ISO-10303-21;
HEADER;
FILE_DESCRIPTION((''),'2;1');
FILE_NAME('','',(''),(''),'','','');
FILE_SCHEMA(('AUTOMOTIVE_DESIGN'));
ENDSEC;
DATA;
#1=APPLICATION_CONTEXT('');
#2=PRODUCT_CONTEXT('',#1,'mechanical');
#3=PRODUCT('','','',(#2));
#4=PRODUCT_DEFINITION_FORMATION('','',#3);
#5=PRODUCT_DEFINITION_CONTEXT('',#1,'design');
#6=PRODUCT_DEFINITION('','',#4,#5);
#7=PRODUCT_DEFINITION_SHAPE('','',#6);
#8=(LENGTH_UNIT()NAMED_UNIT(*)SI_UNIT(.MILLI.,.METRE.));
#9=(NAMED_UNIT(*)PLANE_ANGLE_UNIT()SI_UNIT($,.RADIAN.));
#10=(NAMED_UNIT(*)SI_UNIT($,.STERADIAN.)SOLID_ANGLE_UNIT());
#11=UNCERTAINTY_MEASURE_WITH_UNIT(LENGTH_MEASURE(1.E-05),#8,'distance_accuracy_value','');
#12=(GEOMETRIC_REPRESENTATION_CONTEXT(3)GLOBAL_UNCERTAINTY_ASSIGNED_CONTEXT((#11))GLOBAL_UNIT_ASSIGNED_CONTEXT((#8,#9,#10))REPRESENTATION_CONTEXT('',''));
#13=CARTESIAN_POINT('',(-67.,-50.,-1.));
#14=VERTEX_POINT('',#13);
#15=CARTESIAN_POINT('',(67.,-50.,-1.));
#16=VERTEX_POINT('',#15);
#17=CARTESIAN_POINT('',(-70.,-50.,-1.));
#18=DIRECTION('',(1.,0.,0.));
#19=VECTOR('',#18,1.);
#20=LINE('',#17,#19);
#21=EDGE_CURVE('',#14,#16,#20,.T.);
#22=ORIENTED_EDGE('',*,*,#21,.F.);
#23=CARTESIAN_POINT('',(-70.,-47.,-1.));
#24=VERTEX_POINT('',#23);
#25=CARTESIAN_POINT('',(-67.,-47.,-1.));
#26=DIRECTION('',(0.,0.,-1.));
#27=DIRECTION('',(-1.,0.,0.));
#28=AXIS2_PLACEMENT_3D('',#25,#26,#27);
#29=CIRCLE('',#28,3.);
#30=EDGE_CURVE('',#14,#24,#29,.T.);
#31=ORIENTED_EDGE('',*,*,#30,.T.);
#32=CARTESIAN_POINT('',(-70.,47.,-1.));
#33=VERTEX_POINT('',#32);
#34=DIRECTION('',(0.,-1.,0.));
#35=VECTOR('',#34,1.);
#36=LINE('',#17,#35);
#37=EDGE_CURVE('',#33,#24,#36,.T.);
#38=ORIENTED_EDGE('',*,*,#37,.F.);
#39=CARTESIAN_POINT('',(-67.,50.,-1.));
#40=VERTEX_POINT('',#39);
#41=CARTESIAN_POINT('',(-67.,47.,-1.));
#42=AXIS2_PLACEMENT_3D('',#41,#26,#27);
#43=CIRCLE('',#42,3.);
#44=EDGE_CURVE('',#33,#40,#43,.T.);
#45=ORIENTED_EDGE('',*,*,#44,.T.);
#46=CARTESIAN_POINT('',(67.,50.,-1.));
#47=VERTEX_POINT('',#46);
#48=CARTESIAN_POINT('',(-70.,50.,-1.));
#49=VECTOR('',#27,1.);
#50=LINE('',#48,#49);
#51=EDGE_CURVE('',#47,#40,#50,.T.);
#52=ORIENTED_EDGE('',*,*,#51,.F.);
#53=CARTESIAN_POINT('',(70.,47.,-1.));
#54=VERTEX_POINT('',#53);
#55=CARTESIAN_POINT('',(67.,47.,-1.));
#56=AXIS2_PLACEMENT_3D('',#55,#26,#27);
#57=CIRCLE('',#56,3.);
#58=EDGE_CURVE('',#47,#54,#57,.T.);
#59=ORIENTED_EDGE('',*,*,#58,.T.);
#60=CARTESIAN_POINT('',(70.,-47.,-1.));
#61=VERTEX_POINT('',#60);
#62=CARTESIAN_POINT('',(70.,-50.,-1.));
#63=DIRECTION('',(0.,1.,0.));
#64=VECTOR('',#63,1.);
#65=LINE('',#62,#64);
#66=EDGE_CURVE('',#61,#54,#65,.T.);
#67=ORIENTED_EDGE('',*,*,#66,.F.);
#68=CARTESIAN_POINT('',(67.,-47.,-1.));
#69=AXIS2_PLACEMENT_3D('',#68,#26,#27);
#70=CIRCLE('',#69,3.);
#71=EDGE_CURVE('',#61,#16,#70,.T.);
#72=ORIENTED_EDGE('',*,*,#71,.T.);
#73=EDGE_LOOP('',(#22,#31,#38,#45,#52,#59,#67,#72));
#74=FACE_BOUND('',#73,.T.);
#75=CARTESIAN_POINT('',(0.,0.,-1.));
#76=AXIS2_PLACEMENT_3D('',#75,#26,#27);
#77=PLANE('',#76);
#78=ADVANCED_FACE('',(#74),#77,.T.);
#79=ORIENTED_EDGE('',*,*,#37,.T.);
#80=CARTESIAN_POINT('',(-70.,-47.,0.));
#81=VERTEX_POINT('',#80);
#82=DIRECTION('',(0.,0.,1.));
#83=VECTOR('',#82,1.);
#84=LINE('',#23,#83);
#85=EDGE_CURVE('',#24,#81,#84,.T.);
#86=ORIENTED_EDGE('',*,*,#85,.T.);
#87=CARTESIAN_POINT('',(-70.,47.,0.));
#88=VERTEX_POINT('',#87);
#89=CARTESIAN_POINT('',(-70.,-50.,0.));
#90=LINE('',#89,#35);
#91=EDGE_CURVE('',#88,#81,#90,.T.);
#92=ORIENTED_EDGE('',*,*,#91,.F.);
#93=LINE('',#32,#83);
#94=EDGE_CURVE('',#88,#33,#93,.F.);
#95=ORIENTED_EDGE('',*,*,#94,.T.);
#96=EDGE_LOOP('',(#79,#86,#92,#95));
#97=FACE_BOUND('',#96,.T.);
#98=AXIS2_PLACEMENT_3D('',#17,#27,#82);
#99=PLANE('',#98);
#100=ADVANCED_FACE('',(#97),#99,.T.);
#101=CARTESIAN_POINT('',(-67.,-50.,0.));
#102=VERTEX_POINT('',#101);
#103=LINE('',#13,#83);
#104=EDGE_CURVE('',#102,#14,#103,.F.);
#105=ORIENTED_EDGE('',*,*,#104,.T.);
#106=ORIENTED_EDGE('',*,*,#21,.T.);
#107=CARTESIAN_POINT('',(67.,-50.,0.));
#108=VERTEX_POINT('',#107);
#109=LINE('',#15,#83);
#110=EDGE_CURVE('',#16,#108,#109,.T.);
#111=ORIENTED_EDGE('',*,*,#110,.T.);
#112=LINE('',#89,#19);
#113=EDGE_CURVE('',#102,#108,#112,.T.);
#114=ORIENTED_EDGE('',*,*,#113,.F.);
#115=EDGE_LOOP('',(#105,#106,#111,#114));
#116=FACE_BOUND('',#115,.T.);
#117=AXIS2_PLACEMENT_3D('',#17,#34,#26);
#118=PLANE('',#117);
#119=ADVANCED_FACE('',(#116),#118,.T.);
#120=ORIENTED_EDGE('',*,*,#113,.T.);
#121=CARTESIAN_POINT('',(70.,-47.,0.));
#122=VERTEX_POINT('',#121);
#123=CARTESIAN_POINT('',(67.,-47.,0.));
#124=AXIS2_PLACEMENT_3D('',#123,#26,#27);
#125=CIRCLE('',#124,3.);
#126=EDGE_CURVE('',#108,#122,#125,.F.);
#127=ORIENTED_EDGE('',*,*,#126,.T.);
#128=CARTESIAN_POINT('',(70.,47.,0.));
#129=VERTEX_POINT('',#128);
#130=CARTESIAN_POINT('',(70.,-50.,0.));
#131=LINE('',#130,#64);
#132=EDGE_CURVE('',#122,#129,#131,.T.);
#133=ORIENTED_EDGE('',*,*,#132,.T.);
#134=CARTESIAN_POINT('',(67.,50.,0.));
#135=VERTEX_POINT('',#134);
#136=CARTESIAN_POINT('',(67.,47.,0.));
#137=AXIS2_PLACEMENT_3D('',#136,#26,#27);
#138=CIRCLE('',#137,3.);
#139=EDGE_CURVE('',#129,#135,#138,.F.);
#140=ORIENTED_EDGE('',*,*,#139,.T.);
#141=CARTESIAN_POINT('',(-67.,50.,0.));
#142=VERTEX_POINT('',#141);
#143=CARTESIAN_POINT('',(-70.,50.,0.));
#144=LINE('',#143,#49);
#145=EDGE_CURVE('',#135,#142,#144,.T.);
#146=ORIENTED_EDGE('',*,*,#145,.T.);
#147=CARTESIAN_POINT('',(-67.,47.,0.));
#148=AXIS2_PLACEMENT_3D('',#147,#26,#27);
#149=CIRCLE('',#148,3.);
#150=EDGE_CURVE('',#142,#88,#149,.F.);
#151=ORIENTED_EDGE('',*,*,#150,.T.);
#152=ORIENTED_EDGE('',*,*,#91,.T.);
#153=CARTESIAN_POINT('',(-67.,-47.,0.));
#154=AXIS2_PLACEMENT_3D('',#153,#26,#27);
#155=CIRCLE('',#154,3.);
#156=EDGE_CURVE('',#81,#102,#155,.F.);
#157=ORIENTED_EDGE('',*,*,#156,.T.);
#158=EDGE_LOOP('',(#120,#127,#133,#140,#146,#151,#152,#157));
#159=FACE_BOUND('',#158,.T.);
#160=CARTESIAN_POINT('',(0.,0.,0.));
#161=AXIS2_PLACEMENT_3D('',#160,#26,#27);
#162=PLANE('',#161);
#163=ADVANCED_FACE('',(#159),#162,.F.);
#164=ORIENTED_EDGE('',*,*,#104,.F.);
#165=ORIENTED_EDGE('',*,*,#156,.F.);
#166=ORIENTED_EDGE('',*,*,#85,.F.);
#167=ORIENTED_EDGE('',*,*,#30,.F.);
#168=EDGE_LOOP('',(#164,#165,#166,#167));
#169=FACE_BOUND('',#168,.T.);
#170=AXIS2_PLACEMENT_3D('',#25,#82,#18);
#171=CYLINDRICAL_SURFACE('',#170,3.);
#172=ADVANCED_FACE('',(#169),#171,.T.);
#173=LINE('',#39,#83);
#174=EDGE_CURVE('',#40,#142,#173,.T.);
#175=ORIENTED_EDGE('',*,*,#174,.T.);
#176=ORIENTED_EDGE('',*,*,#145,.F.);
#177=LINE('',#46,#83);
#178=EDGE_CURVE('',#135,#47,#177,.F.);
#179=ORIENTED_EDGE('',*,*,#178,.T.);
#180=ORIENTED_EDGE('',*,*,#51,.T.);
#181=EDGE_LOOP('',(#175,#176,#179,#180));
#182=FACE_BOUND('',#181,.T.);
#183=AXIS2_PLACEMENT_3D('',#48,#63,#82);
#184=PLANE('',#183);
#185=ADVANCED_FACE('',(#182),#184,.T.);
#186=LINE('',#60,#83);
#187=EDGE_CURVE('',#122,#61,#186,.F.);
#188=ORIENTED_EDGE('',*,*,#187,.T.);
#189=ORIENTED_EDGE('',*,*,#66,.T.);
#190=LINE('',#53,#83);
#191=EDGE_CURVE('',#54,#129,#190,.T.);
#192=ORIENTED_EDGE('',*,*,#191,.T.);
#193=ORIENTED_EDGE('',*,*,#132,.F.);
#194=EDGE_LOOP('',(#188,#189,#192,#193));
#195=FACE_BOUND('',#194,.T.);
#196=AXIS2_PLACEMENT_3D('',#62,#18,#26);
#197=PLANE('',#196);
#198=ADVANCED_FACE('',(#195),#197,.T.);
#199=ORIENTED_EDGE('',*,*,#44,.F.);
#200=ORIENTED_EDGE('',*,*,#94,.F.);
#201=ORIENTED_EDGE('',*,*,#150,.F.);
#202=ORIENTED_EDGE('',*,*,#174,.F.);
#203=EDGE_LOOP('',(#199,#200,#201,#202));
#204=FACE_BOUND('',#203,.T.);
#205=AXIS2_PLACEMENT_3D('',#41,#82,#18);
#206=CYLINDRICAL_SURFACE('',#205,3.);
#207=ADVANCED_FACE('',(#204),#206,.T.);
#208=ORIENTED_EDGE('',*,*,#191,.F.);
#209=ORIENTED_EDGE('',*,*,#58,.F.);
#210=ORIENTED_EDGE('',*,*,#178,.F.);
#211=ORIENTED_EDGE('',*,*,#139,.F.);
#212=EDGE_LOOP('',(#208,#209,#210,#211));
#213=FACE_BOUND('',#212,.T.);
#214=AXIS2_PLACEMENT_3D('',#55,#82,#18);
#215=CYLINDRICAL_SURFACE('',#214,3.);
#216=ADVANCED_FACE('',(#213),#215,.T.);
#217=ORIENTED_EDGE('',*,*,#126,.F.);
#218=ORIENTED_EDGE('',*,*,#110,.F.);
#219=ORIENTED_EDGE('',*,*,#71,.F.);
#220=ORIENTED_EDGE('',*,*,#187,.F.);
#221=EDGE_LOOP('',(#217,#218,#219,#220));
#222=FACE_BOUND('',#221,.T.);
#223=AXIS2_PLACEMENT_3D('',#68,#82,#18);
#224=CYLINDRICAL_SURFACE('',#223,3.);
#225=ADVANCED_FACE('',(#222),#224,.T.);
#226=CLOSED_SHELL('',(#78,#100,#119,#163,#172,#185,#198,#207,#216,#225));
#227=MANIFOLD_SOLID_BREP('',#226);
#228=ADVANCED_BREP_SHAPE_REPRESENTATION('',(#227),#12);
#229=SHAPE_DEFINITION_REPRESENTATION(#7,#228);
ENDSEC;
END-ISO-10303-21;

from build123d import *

# Parameters (mm, degrees)
SKIZZE1_W                       = 140
SKIZZE1_H                       = 100
AUFSATZ_LINEAR_AUSTRAGEN1_DEPTH = 1
VERRUNDUNG1_R                   = 3


with BuildPart() as part:
    # Skizze1 → Aufsatz-Linear austragen1 (new body)
    with BuildSketch(Plane.XY):
        Rectangle(SKIZZE1_W, SKIZZE1_H)
    extrude(amount=-AUFSATZ_LINEAR_AUSTRAGEN1_DEPTH)

    # Verrundung1
    verrundung1_edges = [part.edges().sort_by_distance(p)[0] for p in [
        (70, -50, -0.5),
        (-70, -50, -0.5),
        (-70, 50, -0.5),
        (70, 50, -0.5),
    ]]
    fillet(verrundung1_edges, radius=VERRUNDUNG1_R)


solid = part.part
